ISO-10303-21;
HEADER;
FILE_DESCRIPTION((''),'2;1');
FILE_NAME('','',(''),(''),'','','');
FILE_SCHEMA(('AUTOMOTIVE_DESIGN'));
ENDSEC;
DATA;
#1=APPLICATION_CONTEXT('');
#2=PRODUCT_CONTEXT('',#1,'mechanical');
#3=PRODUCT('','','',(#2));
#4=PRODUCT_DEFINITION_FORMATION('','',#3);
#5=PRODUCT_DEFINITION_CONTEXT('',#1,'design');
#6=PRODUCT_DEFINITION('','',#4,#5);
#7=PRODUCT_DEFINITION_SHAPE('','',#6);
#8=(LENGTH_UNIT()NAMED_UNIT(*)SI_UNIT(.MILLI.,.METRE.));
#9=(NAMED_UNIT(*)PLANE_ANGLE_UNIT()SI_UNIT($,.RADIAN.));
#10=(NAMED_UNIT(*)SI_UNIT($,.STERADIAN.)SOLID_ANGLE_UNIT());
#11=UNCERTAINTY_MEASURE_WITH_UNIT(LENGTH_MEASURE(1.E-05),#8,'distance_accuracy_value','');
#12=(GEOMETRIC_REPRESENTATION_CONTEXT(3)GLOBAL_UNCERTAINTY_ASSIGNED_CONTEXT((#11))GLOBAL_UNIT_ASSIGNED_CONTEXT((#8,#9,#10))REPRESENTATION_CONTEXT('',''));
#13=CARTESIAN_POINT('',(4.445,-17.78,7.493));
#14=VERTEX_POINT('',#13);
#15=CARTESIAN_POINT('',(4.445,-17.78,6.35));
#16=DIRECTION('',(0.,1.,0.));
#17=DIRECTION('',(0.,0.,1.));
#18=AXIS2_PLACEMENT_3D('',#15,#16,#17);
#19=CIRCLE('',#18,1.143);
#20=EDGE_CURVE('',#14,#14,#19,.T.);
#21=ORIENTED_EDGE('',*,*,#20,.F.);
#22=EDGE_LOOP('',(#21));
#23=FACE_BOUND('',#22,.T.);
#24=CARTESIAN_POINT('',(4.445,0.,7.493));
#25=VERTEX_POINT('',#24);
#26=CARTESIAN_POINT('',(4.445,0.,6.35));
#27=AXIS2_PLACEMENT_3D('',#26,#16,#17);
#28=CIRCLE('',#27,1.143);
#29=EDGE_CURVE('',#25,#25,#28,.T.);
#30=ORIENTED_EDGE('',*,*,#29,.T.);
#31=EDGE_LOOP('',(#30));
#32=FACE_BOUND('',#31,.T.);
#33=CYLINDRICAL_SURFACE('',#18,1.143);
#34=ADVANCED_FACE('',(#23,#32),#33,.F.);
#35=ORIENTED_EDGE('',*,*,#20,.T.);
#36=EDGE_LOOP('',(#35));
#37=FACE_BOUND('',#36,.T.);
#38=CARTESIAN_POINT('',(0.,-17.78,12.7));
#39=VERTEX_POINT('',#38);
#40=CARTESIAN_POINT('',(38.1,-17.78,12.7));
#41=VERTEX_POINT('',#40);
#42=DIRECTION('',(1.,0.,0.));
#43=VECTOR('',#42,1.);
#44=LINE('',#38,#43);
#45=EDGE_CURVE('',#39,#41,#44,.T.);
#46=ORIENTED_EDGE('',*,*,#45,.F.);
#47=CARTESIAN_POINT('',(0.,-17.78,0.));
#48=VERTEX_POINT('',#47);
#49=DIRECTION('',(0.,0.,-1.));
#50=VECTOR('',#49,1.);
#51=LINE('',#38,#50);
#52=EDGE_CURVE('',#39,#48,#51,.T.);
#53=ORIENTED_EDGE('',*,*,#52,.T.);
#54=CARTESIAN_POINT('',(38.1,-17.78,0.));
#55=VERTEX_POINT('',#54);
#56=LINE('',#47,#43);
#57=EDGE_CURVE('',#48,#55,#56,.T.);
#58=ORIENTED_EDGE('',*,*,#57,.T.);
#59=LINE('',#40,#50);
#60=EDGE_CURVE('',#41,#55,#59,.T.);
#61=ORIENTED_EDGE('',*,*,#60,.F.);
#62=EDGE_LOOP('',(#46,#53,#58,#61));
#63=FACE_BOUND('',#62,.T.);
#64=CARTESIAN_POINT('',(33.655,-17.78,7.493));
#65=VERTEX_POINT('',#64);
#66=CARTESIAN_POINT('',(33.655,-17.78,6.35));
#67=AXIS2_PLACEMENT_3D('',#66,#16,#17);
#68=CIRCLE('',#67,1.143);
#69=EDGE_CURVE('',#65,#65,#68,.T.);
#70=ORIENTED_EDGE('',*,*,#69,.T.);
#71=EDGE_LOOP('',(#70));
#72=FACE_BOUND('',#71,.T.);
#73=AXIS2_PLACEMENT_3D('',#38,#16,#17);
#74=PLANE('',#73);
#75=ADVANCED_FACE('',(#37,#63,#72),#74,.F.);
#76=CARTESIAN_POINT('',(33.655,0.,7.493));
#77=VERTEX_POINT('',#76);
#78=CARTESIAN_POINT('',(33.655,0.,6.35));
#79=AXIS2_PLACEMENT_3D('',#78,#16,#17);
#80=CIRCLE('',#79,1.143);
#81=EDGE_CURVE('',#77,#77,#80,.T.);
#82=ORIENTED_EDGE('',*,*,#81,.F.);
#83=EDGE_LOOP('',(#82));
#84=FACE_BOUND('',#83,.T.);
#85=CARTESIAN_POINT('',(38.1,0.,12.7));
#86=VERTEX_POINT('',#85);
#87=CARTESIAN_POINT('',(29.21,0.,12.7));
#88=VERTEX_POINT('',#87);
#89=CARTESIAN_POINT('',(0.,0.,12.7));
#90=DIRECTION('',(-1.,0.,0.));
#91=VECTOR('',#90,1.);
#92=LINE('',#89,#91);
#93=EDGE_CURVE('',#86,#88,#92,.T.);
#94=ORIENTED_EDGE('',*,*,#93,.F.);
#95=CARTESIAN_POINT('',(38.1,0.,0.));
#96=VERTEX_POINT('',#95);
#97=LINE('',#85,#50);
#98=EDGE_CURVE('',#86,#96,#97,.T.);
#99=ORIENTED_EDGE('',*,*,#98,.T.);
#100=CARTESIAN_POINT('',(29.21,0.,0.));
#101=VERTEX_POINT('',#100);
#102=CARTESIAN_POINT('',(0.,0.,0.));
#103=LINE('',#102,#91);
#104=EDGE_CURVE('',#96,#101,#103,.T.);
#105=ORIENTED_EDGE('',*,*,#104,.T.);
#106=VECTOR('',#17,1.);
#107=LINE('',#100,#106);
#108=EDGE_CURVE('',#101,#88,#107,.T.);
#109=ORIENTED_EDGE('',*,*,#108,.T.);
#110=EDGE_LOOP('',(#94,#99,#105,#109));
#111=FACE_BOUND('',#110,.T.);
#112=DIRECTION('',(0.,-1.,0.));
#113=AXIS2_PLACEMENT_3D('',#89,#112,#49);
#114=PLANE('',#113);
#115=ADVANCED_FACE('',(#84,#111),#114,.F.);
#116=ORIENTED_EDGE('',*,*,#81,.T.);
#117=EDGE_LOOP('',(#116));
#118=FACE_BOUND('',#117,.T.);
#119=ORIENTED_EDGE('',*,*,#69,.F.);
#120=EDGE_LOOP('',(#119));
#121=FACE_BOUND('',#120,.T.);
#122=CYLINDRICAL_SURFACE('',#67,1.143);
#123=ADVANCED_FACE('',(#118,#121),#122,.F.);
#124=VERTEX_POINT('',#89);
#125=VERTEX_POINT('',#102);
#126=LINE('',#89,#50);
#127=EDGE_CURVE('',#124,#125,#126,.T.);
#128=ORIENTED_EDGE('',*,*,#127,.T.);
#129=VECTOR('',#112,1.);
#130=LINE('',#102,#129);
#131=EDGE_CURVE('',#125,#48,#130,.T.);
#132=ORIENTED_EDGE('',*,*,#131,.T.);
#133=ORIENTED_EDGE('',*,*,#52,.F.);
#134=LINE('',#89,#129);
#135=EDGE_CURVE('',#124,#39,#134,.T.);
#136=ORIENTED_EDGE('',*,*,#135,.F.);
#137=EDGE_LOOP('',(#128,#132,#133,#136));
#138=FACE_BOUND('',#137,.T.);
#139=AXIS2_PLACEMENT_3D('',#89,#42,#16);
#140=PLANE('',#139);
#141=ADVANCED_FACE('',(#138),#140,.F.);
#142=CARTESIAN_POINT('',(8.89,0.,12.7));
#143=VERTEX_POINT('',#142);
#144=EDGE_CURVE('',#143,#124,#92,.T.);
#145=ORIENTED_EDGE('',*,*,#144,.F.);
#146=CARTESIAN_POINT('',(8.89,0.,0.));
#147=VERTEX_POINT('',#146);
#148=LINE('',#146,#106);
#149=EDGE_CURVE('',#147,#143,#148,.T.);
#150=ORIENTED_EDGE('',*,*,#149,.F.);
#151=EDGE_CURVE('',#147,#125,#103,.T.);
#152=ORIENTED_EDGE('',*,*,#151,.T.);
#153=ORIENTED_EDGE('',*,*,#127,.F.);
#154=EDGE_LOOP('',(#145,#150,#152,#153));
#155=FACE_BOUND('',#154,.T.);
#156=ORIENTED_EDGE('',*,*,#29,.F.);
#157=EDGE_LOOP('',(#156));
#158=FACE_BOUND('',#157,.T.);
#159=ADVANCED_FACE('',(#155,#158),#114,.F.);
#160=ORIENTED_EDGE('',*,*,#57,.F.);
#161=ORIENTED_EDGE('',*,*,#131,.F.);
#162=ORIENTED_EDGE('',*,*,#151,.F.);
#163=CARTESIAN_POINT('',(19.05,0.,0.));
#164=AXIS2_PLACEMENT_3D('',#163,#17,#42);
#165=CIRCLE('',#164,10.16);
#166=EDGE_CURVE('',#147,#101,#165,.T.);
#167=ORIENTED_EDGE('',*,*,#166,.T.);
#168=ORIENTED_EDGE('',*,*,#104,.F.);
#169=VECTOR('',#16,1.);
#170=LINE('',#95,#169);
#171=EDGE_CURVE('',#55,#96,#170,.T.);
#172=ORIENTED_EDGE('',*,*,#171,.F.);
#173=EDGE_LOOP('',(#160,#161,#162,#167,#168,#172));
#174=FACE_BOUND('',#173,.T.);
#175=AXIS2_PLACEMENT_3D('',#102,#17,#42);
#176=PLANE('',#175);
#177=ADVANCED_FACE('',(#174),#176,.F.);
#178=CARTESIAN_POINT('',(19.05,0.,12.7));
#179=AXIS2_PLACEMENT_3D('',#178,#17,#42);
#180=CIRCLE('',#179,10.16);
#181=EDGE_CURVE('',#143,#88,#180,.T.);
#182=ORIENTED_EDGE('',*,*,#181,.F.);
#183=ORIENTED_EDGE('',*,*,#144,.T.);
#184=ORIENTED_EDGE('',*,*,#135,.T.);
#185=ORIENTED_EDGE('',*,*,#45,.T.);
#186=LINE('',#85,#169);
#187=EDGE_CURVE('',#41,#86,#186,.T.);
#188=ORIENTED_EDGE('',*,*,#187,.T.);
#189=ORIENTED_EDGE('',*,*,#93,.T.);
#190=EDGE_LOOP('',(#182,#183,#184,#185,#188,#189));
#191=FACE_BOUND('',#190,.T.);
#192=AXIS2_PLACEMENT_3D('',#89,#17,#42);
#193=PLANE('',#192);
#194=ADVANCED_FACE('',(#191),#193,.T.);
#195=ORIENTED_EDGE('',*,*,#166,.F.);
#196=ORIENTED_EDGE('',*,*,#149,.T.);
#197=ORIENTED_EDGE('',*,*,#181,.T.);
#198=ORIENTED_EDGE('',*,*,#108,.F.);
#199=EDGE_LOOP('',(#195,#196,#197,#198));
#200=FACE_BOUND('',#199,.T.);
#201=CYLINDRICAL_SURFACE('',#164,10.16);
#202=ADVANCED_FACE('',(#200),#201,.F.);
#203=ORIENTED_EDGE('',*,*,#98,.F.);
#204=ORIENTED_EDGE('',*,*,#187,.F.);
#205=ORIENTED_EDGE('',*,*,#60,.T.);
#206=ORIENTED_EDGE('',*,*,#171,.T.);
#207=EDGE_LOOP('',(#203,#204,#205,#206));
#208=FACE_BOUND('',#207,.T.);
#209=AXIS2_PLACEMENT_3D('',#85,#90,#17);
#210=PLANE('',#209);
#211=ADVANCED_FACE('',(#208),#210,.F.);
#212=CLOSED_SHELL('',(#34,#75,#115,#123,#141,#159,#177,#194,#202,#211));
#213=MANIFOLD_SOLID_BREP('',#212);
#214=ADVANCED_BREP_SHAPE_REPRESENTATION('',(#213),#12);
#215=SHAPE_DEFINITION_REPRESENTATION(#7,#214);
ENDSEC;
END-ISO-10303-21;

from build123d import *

# Parameters (mm, degrees)
SKETCH1_W           = 38.1
SKETCH1_H           = 17.78
BOSS_EXTRUDE1_DEPTH = 12.7
CUT_EXTRUDE1_DEPTH  = 13.7
CUT_EXTRUDE2_DEPTH  = 18.78


with BuildPart() as part:
    # Sketch1 → Boss-Extrude1 (new body)
    with BuildSketch(Plane.XY):
        with Locations((19.05, -8.89)):
            Rectangle(SKETCH1_W, SKETCH1_H)
    extrude(amount=BOSS_EXTRUDE1_DEPTH)

    # Sketch4 → Cut-Extrude1 (cut, through all)
    with BuildSketch(Plane.XY.offset(12.7)):
        with BuildLine():
            Line((19.05, 0), (29.21, 0))
            ThreePointArc((29.21, 0), (19.05, -10.16), (8.89, 0))
            Line((8.89, 0), (19.05, 0))
        make_face()
    extrude(amount=-CUT_EXTRUDE1_DEPTH, mode=Mode.SUBTRACT)

    # Sketch5 → Cut-Extrude2 (cut, through all)
    with BuildSketch(Plane(origin=(0, 0, 0), x_dir=(1, 0, 0), z_dir=(0, 1, 0))):
        with BuildLine():
            ThreePointArc((5.588, -6.35), (4.445, -5.207), (3.302, -6.35))
            Line((3.302, -6.35), (5.588, -6.35))
        make_face()
        with BuildLine():
            Line((5.588, -6.35), (3.302, -6.35))
            ThreePointArc((3.302, -6.35), (4.445, -7.493), (5.588, -6.35))
        make_face()
        with BuildLine():
            ThreePointArc((32.512, -6.35), (33.655, -7.493), (34.798, -6.35))
            Line((34.798, -6.35), (32.512, -6.35))
        make_face()
        with BuildLine():
            Line((32.512, -6.35), (34.798, -6.35))
            ThreePointArc((34.798, -6.35), (33.655, -5.207), (32.512, -6.35))
        make_face()
    extrude(amount=-CUT_EXTRUDE2_DEPTH, mode=Mode.SUBTRACT)


solid = part.part
